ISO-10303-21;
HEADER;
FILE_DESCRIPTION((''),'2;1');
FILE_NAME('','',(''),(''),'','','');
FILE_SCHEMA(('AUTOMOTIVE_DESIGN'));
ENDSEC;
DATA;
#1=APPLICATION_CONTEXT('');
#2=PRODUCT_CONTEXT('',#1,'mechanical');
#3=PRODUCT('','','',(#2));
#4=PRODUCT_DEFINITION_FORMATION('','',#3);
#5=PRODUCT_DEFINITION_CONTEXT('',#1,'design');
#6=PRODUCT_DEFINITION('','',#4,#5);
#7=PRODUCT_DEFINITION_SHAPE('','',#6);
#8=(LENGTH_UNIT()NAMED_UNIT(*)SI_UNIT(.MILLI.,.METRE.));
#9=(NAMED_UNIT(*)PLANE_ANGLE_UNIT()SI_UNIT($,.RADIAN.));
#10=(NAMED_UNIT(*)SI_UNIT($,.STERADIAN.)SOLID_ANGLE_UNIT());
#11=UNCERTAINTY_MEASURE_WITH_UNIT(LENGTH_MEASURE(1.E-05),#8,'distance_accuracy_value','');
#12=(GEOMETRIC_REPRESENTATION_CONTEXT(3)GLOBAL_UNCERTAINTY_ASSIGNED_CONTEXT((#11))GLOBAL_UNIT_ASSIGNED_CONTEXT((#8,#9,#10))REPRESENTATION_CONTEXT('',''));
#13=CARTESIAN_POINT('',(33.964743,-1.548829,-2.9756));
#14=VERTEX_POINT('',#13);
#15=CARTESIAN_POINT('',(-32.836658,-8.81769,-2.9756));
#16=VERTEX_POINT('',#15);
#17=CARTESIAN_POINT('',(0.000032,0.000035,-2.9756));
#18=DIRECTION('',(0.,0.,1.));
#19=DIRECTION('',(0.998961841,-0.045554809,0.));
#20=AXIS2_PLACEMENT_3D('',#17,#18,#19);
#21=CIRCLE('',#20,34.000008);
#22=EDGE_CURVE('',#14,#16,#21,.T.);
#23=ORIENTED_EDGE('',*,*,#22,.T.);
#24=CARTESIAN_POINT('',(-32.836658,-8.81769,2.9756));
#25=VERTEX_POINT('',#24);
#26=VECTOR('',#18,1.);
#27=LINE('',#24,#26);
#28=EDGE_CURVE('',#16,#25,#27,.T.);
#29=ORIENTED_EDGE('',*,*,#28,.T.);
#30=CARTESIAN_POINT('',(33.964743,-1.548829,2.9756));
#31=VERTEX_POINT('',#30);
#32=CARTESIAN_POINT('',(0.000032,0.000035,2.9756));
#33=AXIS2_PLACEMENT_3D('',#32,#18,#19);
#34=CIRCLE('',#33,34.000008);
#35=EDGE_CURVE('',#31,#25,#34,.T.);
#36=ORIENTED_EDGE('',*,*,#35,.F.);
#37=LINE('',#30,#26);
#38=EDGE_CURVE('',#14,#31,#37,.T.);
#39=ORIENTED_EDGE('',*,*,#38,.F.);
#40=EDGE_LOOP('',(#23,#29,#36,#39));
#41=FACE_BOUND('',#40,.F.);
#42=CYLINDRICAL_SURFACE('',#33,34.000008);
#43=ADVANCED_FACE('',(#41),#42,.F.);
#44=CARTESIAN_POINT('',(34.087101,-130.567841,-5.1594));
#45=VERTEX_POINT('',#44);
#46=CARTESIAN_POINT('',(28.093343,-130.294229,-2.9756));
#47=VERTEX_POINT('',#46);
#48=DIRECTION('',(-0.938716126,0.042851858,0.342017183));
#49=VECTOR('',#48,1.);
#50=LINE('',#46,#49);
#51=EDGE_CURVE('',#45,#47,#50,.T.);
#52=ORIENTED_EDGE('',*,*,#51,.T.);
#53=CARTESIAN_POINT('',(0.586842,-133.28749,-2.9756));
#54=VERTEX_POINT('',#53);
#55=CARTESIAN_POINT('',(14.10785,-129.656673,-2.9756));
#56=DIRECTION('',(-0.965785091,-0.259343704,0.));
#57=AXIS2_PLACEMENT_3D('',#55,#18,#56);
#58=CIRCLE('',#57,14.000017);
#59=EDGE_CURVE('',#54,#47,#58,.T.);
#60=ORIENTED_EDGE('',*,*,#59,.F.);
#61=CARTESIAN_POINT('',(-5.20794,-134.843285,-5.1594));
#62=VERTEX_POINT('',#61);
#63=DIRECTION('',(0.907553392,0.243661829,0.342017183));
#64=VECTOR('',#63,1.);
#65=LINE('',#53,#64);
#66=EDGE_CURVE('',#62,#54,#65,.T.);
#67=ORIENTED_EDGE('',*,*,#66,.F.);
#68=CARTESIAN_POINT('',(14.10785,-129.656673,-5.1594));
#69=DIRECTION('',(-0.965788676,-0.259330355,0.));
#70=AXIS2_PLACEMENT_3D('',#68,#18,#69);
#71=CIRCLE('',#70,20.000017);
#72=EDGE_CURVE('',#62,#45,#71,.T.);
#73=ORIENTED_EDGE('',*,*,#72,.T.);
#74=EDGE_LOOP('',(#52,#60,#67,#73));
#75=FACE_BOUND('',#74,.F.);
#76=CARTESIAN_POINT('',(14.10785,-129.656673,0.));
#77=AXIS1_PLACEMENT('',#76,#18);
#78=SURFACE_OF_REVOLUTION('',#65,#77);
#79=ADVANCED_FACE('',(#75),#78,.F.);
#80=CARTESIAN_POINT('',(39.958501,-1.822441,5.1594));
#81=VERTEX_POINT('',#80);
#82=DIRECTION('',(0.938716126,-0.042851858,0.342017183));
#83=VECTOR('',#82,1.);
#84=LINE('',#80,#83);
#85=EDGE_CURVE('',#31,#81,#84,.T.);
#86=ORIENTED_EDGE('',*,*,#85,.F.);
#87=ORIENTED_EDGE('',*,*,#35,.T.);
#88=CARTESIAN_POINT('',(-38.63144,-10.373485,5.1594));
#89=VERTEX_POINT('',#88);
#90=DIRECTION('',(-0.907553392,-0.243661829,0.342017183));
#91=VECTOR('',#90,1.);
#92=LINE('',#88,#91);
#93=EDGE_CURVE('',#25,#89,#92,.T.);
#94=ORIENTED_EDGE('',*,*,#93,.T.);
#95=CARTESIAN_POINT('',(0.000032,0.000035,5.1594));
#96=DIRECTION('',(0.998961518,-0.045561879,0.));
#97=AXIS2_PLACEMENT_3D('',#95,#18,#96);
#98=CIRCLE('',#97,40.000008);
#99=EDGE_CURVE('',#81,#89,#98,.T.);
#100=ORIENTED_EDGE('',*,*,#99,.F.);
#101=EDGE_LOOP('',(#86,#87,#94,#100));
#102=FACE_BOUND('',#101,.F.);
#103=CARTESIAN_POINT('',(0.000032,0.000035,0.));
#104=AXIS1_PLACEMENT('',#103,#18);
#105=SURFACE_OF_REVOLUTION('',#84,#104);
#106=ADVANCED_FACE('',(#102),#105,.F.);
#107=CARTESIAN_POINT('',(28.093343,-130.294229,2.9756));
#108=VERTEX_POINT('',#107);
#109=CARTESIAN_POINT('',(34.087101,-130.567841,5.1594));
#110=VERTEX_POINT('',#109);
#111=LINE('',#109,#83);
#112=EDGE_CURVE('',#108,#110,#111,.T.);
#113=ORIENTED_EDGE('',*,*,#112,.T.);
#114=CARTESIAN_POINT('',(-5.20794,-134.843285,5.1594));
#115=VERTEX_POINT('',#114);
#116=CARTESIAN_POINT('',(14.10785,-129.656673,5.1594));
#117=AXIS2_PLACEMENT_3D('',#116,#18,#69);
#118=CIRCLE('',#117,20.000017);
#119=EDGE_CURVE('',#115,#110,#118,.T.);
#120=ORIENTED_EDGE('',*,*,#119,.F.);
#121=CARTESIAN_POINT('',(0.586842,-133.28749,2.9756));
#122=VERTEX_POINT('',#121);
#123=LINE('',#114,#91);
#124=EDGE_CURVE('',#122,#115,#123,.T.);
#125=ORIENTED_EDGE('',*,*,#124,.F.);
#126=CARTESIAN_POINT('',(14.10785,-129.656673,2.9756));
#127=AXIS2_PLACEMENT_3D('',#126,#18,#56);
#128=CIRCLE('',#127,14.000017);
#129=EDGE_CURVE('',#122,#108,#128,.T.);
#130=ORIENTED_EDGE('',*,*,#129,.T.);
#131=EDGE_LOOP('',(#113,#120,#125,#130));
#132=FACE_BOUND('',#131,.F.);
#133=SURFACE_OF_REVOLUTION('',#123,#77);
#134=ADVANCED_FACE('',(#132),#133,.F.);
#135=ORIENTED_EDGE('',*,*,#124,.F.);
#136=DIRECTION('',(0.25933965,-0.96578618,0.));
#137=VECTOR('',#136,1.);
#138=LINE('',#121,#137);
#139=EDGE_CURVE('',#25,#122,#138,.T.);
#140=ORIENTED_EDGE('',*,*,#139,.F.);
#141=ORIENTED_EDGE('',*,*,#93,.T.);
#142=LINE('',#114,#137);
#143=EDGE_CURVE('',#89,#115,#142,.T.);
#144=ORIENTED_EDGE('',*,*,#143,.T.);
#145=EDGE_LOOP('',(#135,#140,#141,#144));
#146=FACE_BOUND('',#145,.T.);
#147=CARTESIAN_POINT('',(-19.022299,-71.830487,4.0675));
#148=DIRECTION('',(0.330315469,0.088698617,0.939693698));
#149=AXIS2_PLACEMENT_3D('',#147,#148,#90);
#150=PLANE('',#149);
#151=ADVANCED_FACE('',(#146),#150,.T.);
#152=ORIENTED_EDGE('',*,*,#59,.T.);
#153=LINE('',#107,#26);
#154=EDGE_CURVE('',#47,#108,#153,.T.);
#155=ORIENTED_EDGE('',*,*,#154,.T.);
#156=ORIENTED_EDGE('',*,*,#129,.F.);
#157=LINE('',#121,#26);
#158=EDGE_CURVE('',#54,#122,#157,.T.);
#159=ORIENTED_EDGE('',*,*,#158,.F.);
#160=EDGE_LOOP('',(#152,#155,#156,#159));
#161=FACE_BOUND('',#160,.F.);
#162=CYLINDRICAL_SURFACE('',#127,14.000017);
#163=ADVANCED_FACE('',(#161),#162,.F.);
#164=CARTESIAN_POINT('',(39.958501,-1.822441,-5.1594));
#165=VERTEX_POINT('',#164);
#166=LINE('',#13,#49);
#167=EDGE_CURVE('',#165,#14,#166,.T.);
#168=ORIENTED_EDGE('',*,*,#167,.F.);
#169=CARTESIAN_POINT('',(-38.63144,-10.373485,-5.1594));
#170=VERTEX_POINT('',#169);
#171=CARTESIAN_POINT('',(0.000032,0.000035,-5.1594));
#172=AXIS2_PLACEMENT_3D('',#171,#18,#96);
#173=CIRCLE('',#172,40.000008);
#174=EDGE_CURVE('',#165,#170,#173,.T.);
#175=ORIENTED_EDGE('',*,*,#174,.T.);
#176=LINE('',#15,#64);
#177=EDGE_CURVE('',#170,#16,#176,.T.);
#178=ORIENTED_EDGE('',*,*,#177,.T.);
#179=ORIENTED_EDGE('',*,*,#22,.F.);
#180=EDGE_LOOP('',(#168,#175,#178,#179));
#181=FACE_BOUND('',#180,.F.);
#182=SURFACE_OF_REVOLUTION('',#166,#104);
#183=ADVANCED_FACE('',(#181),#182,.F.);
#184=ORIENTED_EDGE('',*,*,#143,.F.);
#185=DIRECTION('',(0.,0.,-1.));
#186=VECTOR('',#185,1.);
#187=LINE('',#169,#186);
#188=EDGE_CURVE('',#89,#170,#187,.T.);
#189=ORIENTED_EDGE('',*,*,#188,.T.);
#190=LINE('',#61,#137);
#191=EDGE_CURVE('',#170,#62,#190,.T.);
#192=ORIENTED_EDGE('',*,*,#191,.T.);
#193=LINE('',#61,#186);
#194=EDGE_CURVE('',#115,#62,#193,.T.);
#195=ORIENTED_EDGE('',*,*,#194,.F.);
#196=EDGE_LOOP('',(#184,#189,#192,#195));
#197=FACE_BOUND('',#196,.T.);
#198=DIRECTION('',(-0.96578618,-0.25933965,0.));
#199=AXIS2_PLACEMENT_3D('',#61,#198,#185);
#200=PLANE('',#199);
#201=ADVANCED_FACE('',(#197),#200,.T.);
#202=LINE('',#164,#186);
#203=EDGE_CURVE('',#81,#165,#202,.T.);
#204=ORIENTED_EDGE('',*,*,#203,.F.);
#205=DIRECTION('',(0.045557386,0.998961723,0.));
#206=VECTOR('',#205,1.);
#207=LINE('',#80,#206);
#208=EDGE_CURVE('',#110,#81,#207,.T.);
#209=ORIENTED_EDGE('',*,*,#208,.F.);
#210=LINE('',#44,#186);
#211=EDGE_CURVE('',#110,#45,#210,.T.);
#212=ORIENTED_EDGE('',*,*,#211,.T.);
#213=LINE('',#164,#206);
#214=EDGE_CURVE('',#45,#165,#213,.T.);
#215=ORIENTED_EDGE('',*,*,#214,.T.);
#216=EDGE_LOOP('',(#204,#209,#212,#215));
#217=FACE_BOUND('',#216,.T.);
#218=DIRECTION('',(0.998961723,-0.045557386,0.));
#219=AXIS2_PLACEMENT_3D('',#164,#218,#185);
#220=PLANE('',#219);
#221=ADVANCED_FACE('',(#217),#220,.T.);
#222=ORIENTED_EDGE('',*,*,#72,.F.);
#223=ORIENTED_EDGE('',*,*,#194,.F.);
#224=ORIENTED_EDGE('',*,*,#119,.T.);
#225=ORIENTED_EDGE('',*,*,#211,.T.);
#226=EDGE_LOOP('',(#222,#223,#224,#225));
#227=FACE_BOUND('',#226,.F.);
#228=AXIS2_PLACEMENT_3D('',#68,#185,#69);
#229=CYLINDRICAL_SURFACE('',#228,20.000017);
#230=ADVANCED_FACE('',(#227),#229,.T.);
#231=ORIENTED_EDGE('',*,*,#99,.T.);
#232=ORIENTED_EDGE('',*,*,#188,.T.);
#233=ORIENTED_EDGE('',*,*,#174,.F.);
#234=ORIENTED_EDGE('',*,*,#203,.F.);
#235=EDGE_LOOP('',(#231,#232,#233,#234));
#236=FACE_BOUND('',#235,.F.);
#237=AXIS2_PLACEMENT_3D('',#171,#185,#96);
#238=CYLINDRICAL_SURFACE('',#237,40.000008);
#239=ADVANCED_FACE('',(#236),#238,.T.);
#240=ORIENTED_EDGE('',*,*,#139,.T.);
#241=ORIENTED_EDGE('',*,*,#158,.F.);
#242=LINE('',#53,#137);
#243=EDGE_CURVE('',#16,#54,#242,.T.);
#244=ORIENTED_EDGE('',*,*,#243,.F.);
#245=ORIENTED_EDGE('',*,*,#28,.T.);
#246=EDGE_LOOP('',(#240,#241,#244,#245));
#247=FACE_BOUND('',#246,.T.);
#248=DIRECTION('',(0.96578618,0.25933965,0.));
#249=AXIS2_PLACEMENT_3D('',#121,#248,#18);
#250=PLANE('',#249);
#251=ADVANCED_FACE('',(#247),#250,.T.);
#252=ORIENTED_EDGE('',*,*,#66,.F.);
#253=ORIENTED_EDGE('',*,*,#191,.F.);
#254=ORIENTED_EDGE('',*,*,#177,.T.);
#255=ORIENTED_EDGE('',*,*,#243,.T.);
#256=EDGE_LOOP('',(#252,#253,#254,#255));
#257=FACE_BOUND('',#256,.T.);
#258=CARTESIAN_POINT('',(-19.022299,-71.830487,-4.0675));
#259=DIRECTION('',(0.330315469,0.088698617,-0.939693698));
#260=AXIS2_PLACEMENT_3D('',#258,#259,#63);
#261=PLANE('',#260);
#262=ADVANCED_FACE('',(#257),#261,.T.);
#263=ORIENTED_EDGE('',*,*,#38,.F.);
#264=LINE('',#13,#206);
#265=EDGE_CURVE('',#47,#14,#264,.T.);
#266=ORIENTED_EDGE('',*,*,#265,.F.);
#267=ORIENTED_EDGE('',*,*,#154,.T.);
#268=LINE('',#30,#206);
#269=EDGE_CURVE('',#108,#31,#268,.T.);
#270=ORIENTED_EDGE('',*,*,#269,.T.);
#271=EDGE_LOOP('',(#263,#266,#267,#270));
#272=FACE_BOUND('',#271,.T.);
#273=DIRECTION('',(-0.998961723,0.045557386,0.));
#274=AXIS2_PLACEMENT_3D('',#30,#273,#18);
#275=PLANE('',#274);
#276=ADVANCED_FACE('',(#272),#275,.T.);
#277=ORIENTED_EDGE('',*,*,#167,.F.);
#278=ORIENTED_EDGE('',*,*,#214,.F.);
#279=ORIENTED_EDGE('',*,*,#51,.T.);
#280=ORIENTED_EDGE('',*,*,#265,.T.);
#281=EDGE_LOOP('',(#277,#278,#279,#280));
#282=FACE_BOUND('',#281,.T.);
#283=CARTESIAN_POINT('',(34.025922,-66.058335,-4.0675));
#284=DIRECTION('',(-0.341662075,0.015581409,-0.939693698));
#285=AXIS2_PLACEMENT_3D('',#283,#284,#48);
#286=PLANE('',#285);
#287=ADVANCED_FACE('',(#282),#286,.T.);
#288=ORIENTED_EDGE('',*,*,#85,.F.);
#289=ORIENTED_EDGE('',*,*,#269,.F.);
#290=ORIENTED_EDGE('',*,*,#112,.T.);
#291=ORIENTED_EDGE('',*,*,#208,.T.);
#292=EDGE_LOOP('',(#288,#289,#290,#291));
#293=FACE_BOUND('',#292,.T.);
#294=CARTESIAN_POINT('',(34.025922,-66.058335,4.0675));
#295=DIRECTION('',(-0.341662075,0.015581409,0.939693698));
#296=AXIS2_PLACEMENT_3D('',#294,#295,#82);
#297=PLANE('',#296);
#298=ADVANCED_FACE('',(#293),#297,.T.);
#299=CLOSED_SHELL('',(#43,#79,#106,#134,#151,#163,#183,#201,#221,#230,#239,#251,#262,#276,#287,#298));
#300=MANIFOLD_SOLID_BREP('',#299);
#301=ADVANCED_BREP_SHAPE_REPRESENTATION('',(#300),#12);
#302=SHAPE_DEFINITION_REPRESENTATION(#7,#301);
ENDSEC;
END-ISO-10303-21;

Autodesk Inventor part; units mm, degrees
ref_plane "YZ Plane" through (0, 0, 0) normal (1, 0, 0) x (0, 1, 0)
ref_plane "XZ Plane" through (0, 0, 0) normal (0, 1, 0) x (-1, 0, 0)
sketch "Эскизная траектория" plane through (0, 0, 0) normal (0, 0, 1) x (1, 0, 0)
  arc A0 (37.4625, -1.7085) -> (-36.2183, -9.7256) centre (0, 0) ccw
  arc A1 (-2.7948, -134.1954) -> (31.5911, -130.4539) centre (14.1079, -129.6566) ccw
  line L0 (-2.7948, -134.1954) -> (-36.2183, -9.7256)
  line L1 (37.4625, -1.7085) -> (31.5911, -130.4539)
ref_plane "Плоскость сечения" through (-36.2183, -9.7256, 0) normal (0.2593, -0.9658, 0) x (0, 0, 1)
sketch "Сечение" plane through (-36.2183, -9.7256, 0) normal (0.2593, -0.9658, 0) x (0, 0, 1)
  line L0 (0, 2.4986) -> (0, -3.5014) construction
  line L1 (-4.25, 0) -> (4.25, 0) construction
  line L2 (-5.1594, 2.4986) -> (5.1594, 2.4986)
  line L3 (5.1594, 2.4986) -> (2.9756, -3.5014)
  line L4 (2.9756, -3.5014) -> (-2.9756, -3.5014)
  line L5 (-2.9756, -3.5014) -> (-5.1594, 2.4986)
  point P0 (0, 0)
  point P1 (0, 0)
  point P2 (0, 0)
  dimension "d0" = 8.5
  dimension "d1" = 2.4986
  dimension "d2" = 40
  dimension "d3" = 6
sweep "Ремень" add profiles "Сечение" path "Эскизная траектория"
equation "\"d0\" = da_Bw"
equation "\"d1\" = da_Hw"
equation "\"d2\" = da_Alfa"
equation "\"d3\" = da_H"
equation "\"da_Alfa\" = 40deg"
equation "\"da_H\" = 6"
equation "\"da_Bw\" = 8.5"
equation "\"da_Hw\" = 2.49859"
properties part number "Клиновой ремень" material "Rubber"
